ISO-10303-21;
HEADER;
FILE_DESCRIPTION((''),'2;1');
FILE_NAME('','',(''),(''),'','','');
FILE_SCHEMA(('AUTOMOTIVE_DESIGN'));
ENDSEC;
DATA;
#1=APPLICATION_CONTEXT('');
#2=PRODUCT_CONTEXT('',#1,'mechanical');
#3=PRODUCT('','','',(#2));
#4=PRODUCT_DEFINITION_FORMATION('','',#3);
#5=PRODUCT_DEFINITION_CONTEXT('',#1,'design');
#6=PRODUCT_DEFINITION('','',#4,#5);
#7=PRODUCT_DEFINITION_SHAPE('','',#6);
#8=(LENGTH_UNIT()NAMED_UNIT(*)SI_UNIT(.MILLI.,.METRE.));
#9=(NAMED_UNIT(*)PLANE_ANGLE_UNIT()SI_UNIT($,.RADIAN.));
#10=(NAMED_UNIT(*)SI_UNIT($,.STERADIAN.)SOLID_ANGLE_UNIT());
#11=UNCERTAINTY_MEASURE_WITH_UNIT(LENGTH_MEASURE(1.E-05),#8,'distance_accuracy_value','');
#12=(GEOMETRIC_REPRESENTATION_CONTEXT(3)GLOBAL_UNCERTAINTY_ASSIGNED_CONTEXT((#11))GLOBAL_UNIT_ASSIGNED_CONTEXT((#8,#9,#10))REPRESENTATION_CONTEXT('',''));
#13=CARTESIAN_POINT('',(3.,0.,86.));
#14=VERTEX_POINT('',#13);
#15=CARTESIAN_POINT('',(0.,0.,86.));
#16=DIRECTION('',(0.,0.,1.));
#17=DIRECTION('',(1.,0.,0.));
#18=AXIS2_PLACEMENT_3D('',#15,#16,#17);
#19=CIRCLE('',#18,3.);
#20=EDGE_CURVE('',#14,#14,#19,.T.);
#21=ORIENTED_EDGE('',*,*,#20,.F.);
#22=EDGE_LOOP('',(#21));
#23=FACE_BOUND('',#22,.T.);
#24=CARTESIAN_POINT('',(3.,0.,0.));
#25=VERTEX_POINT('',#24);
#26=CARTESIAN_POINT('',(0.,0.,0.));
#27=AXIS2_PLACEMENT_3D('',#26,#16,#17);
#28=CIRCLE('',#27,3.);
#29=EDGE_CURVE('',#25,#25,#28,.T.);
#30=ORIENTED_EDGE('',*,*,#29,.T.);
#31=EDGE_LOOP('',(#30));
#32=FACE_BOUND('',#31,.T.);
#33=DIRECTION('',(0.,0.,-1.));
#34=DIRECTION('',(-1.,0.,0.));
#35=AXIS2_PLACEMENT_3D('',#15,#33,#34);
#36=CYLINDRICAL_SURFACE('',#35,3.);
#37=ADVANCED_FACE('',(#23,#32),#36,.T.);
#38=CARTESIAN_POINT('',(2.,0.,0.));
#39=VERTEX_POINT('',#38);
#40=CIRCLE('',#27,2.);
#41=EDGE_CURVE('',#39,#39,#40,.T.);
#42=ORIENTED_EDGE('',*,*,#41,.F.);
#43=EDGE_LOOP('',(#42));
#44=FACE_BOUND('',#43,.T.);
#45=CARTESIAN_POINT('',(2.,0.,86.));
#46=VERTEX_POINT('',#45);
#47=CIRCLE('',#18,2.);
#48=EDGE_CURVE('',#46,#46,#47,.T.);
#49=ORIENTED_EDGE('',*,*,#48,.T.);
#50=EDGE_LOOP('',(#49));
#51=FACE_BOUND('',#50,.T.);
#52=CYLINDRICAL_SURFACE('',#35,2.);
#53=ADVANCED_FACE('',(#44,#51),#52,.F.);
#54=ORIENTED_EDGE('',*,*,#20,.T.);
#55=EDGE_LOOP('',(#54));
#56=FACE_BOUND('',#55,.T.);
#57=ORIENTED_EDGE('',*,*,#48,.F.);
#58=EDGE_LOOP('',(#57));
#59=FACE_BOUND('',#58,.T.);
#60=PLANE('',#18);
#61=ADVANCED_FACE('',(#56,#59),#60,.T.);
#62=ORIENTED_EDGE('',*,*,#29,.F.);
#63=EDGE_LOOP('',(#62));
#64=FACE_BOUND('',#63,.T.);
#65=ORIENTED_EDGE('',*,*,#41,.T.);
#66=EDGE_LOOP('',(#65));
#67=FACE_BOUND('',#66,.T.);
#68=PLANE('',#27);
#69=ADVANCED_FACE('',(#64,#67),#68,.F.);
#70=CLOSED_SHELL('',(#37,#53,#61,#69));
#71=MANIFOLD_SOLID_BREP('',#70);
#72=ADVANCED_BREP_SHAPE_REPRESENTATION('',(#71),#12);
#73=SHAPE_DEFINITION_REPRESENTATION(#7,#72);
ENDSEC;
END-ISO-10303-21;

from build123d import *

# Parameters (mm, degrees)
SKETCH_1_R      = 3
SKETCH_1_R_2    = 2
EXTRUDE_1_DEPTH = 86


with BuildPart() as part:
    # Эскиз1 → Вытянуть1 (new body)
    with BuildSketch(Plane.XY):
        Circle(SKETCH_1_R)
        Circle(SKETCH_1_R_2, mode=Mode.SUBTRACT)
    extrude(amount=EXTRUDE_1_DEPTH)


solid = part.part
